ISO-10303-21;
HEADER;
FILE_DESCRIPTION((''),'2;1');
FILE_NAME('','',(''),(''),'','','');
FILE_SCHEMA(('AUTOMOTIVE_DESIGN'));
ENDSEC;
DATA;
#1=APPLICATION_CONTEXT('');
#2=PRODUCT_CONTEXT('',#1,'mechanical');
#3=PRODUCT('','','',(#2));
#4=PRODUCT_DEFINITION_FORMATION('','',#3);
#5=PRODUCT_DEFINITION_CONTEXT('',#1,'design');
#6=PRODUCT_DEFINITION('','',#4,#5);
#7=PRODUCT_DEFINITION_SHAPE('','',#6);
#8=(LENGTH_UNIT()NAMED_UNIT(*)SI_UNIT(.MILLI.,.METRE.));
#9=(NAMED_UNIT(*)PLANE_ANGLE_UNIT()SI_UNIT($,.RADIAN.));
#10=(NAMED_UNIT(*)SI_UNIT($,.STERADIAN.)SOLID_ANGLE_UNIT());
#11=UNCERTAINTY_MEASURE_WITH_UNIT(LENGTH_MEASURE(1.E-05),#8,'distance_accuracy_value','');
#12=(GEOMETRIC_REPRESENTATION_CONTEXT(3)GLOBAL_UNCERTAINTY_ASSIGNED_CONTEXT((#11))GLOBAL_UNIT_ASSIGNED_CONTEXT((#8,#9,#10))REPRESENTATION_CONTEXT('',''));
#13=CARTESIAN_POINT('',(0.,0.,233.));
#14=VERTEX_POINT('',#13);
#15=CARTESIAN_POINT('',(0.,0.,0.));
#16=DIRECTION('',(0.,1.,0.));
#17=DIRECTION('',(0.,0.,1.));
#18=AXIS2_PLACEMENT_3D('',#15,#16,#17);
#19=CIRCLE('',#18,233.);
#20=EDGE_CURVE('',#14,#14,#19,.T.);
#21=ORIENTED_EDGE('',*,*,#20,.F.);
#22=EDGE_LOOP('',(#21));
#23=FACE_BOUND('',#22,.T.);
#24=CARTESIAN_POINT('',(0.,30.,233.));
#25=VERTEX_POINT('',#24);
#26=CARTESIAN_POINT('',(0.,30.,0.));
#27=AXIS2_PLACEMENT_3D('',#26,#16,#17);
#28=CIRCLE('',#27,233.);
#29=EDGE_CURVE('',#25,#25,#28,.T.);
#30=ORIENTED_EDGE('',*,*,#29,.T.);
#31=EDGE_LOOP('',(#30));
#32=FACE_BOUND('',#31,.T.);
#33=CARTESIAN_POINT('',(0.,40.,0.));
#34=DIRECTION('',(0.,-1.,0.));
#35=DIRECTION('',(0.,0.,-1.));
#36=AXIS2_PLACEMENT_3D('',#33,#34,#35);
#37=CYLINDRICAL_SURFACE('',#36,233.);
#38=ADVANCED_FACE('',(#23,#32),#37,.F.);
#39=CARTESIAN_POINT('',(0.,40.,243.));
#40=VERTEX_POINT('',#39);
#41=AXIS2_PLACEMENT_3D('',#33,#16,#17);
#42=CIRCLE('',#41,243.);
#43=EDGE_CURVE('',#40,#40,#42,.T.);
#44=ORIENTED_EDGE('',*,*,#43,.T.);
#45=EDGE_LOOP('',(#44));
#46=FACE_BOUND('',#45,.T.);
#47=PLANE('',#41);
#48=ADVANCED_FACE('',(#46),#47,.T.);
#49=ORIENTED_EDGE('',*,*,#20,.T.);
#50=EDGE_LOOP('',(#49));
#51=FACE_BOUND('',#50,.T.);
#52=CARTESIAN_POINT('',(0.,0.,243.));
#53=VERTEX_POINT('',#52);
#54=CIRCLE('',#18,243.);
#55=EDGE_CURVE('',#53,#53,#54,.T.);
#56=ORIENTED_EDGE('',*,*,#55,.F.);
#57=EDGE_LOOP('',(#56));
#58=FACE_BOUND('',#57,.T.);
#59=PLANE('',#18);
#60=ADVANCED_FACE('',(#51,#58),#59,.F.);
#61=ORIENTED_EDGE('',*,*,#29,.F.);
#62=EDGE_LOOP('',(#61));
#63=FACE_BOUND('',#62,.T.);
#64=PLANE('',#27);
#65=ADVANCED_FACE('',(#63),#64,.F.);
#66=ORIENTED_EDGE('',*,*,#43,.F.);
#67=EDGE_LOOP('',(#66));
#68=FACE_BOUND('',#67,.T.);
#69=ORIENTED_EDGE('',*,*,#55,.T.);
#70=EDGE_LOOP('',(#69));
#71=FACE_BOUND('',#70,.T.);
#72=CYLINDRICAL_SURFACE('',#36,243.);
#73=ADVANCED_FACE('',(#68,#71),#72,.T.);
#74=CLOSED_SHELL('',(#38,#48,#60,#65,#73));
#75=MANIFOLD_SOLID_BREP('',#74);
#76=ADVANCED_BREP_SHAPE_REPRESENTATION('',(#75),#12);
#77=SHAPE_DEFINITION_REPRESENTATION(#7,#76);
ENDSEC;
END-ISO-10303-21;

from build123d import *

# Parameters (mm, degrees)
SKETCH1_R           = 243
BOSS_EXTRUDE1_DEPTH = 40
SHELL1_T            = -10


with BuildPart() as part:
    # Sketch1 → Boss-Extrude1 (new body)
    with BuildSketch(Plane(origin=(0, 0, 0), x_dir=(1, 0, 0), z_dir=(0, 1, 0))):
        with Locations(Location((0, 0, 0), (0, 0, 270))):
            Circle(SKETCH1_R)
    extrude(amount=BOSS_EXTRUDE1_DEPTH)

    # Shell1
    shell1_openings = [part.faces().sort_by_distance(p)[0] for p in [
        (0, 0, 0),
    ]]
    offset(amount=SHELL1_T, openings=shell1_openings, kind=Kind.INTERSECTION)


solid = part.part
